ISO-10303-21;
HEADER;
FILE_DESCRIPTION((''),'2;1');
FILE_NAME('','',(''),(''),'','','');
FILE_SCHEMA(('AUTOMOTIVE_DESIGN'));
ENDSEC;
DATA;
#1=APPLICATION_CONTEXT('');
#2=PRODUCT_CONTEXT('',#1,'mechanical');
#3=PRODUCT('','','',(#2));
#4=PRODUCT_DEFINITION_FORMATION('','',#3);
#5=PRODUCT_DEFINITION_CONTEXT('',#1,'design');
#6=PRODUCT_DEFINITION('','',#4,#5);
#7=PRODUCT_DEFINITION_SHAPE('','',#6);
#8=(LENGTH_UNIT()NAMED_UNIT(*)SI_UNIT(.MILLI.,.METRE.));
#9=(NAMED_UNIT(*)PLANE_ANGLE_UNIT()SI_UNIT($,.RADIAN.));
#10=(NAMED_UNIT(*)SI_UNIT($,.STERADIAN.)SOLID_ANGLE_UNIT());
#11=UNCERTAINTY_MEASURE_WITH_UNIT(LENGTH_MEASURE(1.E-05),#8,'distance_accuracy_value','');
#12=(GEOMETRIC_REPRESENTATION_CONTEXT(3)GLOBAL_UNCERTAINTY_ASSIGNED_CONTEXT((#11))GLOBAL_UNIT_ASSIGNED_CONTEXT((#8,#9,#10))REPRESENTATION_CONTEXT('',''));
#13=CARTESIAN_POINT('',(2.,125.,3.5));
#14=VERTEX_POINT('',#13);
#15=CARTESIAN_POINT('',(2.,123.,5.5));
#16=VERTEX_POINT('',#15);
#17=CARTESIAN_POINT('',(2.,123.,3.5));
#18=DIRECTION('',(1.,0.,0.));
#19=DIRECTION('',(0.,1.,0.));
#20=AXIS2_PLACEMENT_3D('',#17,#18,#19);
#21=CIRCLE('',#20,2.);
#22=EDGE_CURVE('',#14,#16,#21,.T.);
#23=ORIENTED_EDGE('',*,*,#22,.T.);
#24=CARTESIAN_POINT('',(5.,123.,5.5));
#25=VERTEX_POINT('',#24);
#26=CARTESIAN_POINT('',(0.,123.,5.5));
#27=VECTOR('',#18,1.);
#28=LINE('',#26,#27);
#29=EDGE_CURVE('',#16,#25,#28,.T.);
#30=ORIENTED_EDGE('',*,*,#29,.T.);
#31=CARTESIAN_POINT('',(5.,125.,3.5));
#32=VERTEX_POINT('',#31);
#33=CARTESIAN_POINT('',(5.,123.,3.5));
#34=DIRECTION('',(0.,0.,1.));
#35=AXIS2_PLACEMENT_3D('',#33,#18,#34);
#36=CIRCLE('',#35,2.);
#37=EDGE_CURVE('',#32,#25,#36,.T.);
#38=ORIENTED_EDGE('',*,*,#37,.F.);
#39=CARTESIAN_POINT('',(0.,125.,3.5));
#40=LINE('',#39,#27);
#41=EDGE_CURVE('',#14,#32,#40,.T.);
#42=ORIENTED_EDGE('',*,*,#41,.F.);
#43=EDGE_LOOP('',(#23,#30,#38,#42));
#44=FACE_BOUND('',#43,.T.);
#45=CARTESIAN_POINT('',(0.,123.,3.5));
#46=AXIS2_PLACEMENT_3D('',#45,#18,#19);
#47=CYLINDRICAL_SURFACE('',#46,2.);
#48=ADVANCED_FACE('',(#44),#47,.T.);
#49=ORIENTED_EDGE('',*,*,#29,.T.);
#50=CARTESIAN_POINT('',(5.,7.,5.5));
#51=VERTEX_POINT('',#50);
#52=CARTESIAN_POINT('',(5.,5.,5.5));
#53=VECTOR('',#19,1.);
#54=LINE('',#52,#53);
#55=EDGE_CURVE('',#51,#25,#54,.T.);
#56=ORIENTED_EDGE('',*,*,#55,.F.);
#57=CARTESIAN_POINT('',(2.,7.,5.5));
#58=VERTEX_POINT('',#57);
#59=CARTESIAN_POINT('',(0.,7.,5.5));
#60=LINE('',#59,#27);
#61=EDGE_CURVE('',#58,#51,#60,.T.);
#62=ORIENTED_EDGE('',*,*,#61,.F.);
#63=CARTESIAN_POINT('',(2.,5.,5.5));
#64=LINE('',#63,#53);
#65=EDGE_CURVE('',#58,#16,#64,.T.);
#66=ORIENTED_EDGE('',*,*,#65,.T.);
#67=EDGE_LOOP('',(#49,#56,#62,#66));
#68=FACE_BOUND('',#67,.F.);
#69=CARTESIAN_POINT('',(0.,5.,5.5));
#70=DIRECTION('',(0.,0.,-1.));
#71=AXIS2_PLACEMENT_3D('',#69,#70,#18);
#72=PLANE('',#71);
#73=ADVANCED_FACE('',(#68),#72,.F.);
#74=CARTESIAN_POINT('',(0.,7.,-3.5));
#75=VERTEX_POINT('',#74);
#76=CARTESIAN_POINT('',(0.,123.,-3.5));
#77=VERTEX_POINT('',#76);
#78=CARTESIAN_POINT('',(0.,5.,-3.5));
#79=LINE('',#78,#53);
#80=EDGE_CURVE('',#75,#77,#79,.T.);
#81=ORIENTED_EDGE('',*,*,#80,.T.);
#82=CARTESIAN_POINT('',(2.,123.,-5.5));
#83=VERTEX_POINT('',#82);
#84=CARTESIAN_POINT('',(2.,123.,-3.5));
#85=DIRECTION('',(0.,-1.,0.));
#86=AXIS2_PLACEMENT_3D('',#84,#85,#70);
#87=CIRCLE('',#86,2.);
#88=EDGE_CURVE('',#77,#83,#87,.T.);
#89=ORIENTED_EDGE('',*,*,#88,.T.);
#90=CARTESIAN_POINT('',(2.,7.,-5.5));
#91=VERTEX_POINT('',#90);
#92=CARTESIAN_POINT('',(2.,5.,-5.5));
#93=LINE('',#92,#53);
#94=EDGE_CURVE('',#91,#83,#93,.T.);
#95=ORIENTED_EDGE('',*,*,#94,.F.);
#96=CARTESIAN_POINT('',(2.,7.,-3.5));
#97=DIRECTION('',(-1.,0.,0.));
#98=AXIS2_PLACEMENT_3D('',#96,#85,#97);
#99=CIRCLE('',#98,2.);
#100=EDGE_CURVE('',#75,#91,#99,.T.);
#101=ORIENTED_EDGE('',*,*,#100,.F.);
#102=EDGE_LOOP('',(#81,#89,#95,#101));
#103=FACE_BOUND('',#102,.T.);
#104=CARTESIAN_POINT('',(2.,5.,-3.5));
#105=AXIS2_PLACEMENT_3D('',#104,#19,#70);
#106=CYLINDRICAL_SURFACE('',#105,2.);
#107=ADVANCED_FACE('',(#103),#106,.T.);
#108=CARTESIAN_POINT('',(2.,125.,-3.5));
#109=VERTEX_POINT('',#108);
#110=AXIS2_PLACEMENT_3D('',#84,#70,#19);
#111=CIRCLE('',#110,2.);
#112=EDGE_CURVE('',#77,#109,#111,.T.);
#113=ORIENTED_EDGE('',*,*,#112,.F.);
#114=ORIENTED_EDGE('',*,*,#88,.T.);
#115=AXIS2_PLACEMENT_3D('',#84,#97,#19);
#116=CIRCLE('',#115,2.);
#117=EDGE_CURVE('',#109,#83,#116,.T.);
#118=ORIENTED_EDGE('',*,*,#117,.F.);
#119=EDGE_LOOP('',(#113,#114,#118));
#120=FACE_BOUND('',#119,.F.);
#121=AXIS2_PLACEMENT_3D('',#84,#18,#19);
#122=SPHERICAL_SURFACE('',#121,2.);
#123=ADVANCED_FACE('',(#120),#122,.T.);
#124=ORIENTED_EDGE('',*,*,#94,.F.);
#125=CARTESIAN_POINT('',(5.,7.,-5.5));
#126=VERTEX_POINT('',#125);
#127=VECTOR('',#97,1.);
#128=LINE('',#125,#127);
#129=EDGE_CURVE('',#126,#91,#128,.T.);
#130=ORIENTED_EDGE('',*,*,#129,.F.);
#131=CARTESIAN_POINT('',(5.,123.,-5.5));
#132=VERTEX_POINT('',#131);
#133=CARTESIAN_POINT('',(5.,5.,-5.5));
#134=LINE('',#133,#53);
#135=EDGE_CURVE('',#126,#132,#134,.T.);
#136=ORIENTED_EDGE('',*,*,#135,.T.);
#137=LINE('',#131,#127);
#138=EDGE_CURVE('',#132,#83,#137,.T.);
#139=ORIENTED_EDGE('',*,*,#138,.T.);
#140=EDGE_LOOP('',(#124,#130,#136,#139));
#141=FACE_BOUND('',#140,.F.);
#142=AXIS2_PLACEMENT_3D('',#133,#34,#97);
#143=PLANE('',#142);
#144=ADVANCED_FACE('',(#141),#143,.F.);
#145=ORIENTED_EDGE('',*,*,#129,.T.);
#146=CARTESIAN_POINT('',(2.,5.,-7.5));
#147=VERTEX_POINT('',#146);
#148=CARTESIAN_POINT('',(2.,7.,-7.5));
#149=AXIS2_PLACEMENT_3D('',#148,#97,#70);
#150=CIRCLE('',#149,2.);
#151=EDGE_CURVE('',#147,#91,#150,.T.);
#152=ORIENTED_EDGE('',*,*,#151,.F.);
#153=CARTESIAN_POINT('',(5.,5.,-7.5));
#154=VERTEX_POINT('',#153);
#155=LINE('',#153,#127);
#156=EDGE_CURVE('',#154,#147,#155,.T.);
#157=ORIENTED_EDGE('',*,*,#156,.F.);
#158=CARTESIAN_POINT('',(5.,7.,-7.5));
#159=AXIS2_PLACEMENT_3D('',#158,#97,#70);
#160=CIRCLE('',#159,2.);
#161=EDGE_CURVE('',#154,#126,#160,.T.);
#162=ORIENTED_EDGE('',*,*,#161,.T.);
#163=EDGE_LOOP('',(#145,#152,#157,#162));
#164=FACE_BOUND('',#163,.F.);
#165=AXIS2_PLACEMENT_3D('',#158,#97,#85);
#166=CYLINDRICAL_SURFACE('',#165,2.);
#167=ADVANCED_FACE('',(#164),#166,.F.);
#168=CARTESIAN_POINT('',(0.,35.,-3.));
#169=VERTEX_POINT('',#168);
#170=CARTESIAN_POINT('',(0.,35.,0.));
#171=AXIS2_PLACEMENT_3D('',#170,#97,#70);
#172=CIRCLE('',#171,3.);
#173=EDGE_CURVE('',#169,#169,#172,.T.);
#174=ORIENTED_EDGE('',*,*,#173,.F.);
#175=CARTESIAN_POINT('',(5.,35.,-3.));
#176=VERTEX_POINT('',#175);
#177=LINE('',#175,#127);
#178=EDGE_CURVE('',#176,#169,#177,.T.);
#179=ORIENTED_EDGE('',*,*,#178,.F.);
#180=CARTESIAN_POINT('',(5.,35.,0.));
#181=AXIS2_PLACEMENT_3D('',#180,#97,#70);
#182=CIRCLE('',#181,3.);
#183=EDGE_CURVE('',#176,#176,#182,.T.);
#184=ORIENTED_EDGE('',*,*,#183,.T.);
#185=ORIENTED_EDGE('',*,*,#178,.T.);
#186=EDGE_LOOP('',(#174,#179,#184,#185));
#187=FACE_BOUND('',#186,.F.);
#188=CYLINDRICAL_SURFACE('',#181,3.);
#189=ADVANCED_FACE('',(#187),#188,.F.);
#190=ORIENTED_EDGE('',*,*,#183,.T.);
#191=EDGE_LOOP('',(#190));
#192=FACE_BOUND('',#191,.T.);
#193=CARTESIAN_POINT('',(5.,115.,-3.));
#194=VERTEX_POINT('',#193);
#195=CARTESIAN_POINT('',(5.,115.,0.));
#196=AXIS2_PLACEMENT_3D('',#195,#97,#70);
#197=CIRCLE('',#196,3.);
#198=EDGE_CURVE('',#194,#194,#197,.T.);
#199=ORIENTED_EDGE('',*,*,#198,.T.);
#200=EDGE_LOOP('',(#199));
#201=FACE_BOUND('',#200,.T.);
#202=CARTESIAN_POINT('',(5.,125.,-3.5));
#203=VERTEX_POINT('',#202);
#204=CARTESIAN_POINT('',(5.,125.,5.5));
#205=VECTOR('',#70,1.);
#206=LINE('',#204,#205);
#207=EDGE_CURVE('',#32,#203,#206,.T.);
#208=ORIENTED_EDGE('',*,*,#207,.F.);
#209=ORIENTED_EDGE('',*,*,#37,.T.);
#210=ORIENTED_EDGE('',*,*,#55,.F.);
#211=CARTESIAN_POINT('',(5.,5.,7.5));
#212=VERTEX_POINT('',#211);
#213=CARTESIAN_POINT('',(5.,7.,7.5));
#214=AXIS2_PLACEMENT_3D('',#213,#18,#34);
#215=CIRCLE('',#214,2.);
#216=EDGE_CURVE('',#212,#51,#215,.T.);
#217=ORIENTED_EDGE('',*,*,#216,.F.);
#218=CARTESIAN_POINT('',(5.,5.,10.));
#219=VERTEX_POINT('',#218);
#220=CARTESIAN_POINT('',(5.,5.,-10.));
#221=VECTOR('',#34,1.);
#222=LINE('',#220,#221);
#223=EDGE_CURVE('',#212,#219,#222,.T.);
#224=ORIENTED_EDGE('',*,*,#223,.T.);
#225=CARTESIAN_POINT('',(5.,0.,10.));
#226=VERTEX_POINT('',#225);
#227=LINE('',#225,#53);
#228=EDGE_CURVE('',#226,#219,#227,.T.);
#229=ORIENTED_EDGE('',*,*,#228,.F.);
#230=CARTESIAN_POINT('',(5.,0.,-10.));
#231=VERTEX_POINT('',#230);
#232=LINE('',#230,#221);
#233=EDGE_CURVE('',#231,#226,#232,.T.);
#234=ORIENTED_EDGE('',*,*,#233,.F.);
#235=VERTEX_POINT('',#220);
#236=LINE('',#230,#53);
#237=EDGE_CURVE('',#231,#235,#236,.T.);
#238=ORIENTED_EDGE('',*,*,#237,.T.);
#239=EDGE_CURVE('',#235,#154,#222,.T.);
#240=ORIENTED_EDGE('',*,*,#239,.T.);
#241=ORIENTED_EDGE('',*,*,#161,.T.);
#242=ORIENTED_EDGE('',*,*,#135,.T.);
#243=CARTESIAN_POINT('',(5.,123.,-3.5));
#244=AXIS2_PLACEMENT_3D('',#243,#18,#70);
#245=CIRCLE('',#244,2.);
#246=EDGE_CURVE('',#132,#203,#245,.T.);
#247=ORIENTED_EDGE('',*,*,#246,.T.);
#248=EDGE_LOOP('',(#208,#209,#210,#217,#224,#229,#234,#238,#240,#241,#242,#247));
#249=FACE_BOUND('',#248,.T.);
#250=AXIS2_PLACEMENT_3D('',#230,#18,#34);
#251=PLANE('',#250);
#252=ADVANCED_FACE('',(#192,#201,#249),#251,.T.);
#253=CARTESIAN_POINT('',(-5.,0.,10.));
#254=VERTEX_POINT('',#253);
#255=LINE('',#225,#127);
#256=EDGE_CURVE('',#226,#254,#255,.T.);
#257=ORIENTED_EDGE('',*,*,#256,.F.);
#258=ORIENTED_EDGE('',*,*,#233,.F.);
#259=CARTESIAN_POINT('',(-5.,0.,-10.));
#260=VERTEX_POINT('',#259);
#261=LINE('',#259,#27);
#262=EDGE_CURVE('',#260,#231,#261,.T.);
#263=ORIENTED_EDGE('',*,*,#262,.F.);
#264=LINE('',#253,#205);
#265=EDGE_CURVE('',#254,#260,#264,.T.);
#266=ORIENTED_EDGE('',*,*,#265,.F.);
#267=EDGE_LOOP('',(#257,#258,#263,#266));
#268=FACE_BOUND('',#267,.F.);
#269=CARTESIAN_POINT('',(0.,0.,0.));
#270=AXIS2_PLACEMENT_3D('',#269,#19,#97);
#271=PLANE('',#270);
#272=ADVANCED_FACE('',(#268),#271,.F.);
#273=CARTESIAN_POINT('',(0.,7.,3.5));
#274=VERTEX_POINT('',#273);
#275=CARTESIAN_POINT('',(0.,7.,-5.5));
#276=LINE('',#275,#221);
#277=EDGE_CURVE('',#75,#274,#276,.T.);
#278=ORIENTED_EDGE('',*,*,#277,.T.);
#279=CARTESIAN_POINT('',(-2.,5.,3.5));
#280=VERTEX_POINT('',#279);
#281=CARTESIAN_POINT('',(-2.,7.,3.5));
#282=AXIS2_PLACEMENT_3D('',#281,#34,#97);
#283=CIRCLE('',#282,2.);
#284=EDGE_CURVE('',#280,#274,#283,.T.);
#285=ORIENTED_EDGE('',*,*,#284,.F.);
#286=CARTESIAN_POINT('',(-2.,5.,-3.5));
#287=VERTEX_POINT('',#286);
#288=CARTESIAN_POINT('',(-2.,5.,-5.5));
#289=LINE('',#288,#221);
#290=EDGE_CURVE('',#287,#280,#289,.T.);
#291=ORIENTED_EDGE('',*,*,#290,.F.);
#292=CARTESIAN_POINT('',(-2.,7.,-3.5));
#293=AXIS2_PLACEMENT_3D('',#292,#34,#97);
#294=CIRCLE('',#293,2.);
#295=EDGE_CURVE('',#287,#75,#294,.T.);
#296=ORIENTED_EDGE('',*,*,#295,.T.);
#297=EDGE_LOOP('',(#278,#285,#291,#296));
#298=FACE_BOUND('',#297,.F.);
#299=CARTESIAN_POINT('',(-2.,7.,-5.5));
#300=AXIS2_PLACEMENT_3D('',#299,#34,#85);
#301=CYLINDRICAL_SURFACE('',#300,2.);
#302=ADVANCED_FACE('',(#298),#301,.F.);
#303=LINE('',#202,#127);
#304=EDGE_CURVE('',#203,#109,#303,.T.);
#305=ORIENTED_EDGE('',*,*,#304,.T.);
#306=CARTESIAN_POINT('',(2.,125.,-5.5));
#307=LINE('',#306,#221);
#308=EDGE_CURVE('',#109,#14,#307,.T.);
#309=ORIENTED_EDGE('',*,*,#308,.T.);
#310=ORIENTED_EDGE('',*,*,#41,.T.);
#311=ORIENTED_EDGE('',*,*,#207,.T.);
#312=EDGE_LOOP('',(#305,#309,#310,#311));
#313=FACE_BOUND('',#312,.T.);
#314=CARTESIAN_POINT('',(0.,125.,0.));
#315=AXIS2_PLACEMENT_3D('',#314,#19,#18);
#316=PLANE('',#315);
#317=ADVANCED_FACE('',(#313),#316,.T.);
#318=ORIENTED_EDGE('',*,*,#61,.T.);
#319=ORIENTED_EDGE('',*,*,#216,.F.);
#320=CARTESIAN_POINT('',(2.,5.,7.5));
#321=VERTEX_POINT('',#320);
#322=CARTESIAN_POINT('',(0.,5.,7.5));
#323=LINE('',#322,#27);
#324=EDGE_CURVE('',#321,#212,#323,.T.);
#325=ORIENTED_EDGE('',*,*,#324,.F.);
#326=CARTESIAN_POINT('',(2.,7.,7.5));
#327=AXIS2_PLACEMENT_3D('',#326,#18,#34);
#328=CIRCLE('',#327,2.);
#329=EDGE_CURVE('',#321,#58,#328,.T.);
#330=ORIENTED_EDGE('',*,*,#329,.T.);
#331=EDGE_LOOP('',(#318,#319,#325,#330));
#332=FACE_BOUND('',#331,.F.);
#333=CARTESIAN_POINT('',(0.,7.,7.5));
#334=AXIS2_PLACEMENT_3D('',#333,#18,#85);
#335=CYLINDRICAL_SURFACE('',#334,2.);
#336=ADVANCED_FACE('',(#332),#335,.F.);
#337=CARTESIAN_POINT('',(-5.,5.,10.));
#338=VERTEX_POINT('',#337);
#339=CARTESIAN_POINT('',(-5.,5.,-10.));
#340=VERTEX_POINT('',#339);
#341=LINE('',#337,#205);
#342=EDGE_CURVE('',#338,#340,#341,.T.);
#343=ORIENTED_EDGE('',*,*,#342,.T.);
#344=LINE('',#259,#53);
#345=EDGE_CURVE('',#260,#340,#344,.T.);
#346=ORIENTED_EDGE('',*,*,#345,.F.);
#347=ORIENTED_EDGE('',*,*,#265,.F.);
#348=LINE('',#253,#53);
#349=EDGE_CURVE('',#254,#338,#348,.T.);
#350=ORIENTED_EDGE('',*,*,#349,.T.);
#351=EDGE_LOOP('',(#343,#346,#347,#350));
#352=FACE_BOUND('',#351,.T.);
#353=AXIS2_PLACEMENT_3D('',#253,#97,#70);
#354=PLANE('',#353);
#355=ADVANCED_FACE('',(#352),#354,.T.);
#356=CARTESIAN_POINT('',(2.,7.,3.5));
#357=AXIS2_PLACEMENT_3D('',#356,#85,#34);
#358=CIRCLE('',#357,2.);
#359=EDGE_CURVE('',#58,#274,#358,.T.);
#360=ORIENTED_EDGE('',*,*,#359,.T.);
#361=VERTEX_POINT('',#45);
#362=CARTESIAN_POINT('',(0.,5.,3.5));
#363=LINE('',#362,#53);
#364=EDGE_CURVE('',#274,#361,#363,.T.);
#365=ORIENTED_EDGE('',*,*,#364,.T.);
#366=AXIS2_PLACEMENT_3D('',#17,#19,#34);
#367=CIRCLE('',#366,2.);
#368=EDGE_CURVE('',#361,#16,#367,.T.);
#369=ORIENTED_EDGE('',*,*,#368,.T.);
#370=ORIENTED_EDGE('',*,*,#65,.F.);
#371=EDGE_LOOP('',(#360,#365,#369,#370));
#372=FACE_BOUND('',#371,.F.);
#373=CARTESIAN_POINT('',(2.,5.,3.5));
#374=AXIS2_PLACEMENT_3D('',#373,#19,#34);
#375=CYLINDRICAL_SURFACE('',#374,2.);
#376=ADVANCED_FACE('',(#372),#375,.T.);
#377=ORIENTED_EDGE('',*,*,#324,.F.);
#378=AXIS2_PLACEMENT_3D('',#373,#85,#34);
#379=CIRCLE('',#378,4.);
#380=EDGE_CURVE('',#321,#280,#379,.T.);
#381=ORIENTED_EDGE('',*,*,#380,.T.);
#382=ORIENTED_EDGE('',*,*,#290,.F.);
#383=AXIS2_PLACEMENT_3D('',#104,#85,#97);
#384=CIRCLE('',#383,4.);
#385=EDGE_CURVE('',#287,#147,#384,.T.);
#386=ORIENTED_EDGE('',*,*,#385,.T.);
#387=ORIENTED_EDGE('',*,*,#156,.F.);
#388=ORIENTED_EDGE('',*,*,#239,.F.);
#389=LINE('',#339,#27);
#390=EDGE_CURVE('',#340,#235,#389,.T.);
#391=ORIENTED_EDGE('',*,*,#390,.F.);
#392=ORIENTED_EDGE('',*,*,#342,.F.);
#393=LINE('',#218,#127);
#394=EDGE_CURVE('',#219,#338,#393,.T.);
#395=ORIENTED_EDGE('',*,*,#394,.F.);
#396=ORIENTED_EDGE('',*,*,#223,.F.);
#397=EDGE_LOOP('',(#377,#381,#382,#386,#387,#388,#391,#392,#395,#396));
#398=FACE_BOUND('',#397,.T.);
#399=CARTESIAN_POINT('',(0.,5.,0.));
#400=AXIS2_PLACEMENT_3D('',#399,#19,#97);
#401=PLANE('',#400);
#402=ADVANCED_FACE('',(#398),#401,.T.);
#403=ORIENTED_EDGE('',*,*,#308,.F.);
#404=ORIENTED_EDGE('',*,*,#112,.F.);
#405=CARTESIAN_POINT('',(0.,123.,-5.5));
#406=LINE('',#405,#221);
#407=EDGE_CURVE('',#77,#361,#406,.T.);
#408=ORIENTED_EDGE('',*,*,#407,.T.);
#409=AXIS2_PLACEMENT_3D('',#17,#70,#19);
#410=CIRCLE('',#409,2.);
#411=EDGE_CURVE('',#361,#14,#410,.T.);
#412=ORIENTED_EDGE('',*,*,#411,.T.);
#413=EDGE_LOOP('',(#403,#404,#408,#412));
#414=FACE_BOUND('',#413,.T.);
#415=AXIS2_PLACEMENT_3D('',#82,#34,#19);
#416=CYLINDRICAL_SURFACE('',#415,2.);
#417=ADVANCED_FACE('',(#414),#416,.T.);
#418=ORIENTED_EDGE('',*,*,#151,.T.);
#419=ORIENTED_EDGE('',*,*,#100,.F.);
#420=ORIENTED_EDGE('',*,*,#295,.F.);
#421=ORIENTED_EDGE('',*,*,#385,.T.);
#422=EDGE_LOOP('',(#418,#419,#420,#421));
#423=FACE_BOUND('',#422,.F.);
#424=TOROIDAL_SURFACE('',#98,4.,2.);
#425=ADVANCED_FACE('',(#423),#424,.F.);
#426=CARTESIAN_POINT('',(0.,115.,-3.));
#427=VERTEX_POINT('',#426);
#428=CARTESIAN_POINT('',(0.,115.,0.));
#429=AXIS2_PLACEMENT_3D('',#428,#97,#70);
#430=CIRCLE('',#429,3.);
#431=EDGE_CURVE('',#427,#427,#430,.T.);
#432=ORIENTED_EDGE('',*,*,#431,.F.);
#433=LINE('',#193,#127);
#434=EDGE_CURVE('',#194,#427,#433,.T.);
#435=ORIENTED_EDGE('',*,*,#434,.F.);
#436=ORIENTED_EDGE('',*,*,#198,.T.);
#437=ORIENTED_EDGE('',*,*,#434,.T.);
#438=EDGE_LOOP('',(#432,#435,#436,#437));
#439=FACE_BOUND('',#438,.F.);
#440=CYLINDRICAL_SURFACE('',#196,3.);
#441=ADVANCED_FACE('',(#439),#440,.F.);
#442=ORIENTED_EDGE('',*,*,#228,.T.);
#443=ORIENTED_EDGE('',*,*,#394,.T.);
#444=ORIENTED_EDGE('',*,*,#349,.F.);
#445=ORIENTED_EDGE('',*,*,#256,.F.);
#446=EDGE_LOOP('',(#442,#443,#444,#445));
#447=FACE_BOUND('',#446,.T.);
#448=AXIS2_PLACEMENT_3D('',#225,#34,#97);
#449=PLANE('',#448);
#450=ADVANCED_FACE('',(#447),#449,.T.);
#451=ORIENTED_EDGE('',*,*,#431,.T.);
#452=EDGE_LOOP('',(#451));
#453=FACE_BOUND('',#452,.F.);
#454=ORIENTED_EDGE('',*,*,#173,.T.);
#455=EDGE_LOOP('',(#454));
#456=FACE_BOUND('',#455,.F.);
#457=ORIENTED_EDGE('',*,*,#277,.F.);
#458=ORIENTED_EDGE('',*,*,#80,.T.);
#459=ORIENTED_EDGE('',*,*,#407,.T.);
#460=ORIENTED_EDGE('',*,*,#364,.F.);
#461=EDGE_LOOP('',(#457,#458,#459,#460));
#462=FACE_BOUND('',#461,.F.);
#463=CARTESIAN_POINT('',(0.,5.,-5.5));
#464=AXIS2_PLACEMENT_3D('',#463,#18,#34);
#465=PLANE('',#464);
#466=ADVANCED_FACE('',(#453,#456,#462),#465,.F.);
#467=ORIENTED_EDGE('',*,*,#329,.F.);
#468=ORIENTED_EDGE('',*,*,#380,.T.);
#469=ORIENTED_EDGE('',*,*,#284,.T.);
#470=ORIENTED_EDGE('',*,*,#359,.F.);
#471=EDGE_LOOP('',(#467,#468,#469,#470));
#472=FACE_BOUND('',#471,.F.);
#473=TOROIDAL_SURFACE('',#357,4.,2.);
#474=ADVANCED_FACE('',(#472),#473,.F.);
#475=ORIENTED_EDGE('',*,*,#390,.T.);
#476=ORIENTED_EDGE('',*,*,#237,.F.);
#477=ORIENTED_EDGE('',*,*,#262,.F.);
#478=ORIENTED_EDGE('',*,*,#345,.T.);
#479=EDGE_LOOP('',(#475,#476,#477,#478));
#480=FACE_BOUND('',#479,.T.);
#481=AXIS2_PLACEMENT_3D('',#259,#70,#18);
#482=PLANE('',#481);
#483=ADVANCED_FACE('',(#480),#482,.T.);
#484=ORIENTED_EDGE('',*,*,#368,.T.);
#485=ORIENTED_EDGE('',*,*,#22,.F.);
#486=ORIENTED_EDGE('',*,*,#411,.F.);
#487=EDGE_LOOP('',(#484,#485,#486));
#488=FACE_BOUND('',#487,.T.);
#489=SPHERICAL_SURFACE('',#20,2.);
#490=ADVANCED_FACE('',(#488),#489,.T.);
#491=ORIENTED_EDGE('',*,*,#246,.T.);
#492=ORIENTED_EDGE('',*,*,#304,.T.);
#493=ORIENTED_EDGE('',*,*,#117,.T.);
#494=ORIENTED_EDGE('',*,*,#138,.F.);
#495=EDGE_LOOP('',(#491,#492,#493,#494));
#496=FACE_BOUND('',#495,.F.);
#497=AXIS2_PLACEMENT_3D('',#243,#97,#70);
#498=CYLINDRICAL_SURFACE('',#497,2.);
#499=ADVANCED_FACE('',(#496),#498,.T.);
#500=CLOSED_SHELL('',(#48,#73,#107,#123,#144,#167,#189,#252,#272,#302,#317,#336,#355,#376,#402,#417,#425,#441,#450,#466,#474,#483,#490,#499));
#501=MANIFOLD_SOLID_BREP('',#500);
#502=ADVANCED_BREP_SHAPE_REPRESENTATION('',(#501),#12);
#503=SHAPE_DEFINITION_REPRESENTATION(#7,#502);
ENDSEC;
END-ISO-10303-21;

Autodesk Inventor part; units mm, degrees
ref_plane "YZ Plane" through (0, 0, 0) normal (1, 0, 0) x (0, 1, 0)
ref_plane "XZ Plane" through (0, 0, 0) normal (0, 1, 0) x (-1, 0, 0)
ref_plane "XY Plane" through (0, 0, 0) normal (0, 0, 1) x (1, 0, 0)
sketch "スケッチ1" plane through (0, 0, 0) normal (0, 1, 0) x (-1, 0, 0)
  line L0 (5, -10) -> (-5, -10)
  line L1 (-5, -10) -> (-5, 10)
  line L2 (-5, 10) -> (5, 10)
  line L3 (5, 10) -> (5, -10)
  line L4 (5, -10) -> (-5, 10) construction
  line L5 (-5, -10) -> (5, 10) construction
  point P0 (0, 0)
  dimension "d0" = 10
  dimension "d1" = 20
extrude "押し出し1" add sketch "スケッチ1" along normal blind 5
sketch "スケッチ4" plane through (0, 5, 0) normal (0, 1, 0) x (1, 0, 0)
  line L0 (5, 5.5) -> (0, 5.5)
  line L1 (0, 5.5) -> (0, -5.5)
  line L2 (0, -5.5) -> (5, -5.5)
  line L3 (5, -5.5) -> (5, 5.5)
  line L4 (5, -10) -> (5, 10) projected
  point P0 (0, 0)
  dimension "d11" = 5
  dimension "d12" = 11
  dimension "d13" = 5
  dimension "d14" = 5.5
extrude "押し出し4" add sketch "スケッチ4" along normal blind 120
sketch "スケッチ6" plane through (5, 0, 10) normal (1, 0, 0) x (0, 0, -1)
  line L0 (4.5, 5) -> (15.5, 5) projected
  line L1 (15.5, 5) -> (15.5, 125) projected
  point P0 (10, 0)
  point P1 (10, 35)
  point P2 (10, 115)
  dimension "d30" = 30
  dimension "d31" = 80
  dimension "d32" = 5.5
  dimension "d33" = 5.5
hole "穴2" at (5, 35, 0) at (5, 115, 0) direction (-1, 0, 0) diameter 6 end through all
fillet "フィレット3" radius 2 8 edges at (2.5, 125, 5.5) (2.5, 125, -5.5) (0, 125, 0) (0, 65, 5.5) (0, 65, -5.5) (2.5, 5, 5.5) (0, 5, 0) (2.5, 5, -5.5)
properties part number "baseB"
